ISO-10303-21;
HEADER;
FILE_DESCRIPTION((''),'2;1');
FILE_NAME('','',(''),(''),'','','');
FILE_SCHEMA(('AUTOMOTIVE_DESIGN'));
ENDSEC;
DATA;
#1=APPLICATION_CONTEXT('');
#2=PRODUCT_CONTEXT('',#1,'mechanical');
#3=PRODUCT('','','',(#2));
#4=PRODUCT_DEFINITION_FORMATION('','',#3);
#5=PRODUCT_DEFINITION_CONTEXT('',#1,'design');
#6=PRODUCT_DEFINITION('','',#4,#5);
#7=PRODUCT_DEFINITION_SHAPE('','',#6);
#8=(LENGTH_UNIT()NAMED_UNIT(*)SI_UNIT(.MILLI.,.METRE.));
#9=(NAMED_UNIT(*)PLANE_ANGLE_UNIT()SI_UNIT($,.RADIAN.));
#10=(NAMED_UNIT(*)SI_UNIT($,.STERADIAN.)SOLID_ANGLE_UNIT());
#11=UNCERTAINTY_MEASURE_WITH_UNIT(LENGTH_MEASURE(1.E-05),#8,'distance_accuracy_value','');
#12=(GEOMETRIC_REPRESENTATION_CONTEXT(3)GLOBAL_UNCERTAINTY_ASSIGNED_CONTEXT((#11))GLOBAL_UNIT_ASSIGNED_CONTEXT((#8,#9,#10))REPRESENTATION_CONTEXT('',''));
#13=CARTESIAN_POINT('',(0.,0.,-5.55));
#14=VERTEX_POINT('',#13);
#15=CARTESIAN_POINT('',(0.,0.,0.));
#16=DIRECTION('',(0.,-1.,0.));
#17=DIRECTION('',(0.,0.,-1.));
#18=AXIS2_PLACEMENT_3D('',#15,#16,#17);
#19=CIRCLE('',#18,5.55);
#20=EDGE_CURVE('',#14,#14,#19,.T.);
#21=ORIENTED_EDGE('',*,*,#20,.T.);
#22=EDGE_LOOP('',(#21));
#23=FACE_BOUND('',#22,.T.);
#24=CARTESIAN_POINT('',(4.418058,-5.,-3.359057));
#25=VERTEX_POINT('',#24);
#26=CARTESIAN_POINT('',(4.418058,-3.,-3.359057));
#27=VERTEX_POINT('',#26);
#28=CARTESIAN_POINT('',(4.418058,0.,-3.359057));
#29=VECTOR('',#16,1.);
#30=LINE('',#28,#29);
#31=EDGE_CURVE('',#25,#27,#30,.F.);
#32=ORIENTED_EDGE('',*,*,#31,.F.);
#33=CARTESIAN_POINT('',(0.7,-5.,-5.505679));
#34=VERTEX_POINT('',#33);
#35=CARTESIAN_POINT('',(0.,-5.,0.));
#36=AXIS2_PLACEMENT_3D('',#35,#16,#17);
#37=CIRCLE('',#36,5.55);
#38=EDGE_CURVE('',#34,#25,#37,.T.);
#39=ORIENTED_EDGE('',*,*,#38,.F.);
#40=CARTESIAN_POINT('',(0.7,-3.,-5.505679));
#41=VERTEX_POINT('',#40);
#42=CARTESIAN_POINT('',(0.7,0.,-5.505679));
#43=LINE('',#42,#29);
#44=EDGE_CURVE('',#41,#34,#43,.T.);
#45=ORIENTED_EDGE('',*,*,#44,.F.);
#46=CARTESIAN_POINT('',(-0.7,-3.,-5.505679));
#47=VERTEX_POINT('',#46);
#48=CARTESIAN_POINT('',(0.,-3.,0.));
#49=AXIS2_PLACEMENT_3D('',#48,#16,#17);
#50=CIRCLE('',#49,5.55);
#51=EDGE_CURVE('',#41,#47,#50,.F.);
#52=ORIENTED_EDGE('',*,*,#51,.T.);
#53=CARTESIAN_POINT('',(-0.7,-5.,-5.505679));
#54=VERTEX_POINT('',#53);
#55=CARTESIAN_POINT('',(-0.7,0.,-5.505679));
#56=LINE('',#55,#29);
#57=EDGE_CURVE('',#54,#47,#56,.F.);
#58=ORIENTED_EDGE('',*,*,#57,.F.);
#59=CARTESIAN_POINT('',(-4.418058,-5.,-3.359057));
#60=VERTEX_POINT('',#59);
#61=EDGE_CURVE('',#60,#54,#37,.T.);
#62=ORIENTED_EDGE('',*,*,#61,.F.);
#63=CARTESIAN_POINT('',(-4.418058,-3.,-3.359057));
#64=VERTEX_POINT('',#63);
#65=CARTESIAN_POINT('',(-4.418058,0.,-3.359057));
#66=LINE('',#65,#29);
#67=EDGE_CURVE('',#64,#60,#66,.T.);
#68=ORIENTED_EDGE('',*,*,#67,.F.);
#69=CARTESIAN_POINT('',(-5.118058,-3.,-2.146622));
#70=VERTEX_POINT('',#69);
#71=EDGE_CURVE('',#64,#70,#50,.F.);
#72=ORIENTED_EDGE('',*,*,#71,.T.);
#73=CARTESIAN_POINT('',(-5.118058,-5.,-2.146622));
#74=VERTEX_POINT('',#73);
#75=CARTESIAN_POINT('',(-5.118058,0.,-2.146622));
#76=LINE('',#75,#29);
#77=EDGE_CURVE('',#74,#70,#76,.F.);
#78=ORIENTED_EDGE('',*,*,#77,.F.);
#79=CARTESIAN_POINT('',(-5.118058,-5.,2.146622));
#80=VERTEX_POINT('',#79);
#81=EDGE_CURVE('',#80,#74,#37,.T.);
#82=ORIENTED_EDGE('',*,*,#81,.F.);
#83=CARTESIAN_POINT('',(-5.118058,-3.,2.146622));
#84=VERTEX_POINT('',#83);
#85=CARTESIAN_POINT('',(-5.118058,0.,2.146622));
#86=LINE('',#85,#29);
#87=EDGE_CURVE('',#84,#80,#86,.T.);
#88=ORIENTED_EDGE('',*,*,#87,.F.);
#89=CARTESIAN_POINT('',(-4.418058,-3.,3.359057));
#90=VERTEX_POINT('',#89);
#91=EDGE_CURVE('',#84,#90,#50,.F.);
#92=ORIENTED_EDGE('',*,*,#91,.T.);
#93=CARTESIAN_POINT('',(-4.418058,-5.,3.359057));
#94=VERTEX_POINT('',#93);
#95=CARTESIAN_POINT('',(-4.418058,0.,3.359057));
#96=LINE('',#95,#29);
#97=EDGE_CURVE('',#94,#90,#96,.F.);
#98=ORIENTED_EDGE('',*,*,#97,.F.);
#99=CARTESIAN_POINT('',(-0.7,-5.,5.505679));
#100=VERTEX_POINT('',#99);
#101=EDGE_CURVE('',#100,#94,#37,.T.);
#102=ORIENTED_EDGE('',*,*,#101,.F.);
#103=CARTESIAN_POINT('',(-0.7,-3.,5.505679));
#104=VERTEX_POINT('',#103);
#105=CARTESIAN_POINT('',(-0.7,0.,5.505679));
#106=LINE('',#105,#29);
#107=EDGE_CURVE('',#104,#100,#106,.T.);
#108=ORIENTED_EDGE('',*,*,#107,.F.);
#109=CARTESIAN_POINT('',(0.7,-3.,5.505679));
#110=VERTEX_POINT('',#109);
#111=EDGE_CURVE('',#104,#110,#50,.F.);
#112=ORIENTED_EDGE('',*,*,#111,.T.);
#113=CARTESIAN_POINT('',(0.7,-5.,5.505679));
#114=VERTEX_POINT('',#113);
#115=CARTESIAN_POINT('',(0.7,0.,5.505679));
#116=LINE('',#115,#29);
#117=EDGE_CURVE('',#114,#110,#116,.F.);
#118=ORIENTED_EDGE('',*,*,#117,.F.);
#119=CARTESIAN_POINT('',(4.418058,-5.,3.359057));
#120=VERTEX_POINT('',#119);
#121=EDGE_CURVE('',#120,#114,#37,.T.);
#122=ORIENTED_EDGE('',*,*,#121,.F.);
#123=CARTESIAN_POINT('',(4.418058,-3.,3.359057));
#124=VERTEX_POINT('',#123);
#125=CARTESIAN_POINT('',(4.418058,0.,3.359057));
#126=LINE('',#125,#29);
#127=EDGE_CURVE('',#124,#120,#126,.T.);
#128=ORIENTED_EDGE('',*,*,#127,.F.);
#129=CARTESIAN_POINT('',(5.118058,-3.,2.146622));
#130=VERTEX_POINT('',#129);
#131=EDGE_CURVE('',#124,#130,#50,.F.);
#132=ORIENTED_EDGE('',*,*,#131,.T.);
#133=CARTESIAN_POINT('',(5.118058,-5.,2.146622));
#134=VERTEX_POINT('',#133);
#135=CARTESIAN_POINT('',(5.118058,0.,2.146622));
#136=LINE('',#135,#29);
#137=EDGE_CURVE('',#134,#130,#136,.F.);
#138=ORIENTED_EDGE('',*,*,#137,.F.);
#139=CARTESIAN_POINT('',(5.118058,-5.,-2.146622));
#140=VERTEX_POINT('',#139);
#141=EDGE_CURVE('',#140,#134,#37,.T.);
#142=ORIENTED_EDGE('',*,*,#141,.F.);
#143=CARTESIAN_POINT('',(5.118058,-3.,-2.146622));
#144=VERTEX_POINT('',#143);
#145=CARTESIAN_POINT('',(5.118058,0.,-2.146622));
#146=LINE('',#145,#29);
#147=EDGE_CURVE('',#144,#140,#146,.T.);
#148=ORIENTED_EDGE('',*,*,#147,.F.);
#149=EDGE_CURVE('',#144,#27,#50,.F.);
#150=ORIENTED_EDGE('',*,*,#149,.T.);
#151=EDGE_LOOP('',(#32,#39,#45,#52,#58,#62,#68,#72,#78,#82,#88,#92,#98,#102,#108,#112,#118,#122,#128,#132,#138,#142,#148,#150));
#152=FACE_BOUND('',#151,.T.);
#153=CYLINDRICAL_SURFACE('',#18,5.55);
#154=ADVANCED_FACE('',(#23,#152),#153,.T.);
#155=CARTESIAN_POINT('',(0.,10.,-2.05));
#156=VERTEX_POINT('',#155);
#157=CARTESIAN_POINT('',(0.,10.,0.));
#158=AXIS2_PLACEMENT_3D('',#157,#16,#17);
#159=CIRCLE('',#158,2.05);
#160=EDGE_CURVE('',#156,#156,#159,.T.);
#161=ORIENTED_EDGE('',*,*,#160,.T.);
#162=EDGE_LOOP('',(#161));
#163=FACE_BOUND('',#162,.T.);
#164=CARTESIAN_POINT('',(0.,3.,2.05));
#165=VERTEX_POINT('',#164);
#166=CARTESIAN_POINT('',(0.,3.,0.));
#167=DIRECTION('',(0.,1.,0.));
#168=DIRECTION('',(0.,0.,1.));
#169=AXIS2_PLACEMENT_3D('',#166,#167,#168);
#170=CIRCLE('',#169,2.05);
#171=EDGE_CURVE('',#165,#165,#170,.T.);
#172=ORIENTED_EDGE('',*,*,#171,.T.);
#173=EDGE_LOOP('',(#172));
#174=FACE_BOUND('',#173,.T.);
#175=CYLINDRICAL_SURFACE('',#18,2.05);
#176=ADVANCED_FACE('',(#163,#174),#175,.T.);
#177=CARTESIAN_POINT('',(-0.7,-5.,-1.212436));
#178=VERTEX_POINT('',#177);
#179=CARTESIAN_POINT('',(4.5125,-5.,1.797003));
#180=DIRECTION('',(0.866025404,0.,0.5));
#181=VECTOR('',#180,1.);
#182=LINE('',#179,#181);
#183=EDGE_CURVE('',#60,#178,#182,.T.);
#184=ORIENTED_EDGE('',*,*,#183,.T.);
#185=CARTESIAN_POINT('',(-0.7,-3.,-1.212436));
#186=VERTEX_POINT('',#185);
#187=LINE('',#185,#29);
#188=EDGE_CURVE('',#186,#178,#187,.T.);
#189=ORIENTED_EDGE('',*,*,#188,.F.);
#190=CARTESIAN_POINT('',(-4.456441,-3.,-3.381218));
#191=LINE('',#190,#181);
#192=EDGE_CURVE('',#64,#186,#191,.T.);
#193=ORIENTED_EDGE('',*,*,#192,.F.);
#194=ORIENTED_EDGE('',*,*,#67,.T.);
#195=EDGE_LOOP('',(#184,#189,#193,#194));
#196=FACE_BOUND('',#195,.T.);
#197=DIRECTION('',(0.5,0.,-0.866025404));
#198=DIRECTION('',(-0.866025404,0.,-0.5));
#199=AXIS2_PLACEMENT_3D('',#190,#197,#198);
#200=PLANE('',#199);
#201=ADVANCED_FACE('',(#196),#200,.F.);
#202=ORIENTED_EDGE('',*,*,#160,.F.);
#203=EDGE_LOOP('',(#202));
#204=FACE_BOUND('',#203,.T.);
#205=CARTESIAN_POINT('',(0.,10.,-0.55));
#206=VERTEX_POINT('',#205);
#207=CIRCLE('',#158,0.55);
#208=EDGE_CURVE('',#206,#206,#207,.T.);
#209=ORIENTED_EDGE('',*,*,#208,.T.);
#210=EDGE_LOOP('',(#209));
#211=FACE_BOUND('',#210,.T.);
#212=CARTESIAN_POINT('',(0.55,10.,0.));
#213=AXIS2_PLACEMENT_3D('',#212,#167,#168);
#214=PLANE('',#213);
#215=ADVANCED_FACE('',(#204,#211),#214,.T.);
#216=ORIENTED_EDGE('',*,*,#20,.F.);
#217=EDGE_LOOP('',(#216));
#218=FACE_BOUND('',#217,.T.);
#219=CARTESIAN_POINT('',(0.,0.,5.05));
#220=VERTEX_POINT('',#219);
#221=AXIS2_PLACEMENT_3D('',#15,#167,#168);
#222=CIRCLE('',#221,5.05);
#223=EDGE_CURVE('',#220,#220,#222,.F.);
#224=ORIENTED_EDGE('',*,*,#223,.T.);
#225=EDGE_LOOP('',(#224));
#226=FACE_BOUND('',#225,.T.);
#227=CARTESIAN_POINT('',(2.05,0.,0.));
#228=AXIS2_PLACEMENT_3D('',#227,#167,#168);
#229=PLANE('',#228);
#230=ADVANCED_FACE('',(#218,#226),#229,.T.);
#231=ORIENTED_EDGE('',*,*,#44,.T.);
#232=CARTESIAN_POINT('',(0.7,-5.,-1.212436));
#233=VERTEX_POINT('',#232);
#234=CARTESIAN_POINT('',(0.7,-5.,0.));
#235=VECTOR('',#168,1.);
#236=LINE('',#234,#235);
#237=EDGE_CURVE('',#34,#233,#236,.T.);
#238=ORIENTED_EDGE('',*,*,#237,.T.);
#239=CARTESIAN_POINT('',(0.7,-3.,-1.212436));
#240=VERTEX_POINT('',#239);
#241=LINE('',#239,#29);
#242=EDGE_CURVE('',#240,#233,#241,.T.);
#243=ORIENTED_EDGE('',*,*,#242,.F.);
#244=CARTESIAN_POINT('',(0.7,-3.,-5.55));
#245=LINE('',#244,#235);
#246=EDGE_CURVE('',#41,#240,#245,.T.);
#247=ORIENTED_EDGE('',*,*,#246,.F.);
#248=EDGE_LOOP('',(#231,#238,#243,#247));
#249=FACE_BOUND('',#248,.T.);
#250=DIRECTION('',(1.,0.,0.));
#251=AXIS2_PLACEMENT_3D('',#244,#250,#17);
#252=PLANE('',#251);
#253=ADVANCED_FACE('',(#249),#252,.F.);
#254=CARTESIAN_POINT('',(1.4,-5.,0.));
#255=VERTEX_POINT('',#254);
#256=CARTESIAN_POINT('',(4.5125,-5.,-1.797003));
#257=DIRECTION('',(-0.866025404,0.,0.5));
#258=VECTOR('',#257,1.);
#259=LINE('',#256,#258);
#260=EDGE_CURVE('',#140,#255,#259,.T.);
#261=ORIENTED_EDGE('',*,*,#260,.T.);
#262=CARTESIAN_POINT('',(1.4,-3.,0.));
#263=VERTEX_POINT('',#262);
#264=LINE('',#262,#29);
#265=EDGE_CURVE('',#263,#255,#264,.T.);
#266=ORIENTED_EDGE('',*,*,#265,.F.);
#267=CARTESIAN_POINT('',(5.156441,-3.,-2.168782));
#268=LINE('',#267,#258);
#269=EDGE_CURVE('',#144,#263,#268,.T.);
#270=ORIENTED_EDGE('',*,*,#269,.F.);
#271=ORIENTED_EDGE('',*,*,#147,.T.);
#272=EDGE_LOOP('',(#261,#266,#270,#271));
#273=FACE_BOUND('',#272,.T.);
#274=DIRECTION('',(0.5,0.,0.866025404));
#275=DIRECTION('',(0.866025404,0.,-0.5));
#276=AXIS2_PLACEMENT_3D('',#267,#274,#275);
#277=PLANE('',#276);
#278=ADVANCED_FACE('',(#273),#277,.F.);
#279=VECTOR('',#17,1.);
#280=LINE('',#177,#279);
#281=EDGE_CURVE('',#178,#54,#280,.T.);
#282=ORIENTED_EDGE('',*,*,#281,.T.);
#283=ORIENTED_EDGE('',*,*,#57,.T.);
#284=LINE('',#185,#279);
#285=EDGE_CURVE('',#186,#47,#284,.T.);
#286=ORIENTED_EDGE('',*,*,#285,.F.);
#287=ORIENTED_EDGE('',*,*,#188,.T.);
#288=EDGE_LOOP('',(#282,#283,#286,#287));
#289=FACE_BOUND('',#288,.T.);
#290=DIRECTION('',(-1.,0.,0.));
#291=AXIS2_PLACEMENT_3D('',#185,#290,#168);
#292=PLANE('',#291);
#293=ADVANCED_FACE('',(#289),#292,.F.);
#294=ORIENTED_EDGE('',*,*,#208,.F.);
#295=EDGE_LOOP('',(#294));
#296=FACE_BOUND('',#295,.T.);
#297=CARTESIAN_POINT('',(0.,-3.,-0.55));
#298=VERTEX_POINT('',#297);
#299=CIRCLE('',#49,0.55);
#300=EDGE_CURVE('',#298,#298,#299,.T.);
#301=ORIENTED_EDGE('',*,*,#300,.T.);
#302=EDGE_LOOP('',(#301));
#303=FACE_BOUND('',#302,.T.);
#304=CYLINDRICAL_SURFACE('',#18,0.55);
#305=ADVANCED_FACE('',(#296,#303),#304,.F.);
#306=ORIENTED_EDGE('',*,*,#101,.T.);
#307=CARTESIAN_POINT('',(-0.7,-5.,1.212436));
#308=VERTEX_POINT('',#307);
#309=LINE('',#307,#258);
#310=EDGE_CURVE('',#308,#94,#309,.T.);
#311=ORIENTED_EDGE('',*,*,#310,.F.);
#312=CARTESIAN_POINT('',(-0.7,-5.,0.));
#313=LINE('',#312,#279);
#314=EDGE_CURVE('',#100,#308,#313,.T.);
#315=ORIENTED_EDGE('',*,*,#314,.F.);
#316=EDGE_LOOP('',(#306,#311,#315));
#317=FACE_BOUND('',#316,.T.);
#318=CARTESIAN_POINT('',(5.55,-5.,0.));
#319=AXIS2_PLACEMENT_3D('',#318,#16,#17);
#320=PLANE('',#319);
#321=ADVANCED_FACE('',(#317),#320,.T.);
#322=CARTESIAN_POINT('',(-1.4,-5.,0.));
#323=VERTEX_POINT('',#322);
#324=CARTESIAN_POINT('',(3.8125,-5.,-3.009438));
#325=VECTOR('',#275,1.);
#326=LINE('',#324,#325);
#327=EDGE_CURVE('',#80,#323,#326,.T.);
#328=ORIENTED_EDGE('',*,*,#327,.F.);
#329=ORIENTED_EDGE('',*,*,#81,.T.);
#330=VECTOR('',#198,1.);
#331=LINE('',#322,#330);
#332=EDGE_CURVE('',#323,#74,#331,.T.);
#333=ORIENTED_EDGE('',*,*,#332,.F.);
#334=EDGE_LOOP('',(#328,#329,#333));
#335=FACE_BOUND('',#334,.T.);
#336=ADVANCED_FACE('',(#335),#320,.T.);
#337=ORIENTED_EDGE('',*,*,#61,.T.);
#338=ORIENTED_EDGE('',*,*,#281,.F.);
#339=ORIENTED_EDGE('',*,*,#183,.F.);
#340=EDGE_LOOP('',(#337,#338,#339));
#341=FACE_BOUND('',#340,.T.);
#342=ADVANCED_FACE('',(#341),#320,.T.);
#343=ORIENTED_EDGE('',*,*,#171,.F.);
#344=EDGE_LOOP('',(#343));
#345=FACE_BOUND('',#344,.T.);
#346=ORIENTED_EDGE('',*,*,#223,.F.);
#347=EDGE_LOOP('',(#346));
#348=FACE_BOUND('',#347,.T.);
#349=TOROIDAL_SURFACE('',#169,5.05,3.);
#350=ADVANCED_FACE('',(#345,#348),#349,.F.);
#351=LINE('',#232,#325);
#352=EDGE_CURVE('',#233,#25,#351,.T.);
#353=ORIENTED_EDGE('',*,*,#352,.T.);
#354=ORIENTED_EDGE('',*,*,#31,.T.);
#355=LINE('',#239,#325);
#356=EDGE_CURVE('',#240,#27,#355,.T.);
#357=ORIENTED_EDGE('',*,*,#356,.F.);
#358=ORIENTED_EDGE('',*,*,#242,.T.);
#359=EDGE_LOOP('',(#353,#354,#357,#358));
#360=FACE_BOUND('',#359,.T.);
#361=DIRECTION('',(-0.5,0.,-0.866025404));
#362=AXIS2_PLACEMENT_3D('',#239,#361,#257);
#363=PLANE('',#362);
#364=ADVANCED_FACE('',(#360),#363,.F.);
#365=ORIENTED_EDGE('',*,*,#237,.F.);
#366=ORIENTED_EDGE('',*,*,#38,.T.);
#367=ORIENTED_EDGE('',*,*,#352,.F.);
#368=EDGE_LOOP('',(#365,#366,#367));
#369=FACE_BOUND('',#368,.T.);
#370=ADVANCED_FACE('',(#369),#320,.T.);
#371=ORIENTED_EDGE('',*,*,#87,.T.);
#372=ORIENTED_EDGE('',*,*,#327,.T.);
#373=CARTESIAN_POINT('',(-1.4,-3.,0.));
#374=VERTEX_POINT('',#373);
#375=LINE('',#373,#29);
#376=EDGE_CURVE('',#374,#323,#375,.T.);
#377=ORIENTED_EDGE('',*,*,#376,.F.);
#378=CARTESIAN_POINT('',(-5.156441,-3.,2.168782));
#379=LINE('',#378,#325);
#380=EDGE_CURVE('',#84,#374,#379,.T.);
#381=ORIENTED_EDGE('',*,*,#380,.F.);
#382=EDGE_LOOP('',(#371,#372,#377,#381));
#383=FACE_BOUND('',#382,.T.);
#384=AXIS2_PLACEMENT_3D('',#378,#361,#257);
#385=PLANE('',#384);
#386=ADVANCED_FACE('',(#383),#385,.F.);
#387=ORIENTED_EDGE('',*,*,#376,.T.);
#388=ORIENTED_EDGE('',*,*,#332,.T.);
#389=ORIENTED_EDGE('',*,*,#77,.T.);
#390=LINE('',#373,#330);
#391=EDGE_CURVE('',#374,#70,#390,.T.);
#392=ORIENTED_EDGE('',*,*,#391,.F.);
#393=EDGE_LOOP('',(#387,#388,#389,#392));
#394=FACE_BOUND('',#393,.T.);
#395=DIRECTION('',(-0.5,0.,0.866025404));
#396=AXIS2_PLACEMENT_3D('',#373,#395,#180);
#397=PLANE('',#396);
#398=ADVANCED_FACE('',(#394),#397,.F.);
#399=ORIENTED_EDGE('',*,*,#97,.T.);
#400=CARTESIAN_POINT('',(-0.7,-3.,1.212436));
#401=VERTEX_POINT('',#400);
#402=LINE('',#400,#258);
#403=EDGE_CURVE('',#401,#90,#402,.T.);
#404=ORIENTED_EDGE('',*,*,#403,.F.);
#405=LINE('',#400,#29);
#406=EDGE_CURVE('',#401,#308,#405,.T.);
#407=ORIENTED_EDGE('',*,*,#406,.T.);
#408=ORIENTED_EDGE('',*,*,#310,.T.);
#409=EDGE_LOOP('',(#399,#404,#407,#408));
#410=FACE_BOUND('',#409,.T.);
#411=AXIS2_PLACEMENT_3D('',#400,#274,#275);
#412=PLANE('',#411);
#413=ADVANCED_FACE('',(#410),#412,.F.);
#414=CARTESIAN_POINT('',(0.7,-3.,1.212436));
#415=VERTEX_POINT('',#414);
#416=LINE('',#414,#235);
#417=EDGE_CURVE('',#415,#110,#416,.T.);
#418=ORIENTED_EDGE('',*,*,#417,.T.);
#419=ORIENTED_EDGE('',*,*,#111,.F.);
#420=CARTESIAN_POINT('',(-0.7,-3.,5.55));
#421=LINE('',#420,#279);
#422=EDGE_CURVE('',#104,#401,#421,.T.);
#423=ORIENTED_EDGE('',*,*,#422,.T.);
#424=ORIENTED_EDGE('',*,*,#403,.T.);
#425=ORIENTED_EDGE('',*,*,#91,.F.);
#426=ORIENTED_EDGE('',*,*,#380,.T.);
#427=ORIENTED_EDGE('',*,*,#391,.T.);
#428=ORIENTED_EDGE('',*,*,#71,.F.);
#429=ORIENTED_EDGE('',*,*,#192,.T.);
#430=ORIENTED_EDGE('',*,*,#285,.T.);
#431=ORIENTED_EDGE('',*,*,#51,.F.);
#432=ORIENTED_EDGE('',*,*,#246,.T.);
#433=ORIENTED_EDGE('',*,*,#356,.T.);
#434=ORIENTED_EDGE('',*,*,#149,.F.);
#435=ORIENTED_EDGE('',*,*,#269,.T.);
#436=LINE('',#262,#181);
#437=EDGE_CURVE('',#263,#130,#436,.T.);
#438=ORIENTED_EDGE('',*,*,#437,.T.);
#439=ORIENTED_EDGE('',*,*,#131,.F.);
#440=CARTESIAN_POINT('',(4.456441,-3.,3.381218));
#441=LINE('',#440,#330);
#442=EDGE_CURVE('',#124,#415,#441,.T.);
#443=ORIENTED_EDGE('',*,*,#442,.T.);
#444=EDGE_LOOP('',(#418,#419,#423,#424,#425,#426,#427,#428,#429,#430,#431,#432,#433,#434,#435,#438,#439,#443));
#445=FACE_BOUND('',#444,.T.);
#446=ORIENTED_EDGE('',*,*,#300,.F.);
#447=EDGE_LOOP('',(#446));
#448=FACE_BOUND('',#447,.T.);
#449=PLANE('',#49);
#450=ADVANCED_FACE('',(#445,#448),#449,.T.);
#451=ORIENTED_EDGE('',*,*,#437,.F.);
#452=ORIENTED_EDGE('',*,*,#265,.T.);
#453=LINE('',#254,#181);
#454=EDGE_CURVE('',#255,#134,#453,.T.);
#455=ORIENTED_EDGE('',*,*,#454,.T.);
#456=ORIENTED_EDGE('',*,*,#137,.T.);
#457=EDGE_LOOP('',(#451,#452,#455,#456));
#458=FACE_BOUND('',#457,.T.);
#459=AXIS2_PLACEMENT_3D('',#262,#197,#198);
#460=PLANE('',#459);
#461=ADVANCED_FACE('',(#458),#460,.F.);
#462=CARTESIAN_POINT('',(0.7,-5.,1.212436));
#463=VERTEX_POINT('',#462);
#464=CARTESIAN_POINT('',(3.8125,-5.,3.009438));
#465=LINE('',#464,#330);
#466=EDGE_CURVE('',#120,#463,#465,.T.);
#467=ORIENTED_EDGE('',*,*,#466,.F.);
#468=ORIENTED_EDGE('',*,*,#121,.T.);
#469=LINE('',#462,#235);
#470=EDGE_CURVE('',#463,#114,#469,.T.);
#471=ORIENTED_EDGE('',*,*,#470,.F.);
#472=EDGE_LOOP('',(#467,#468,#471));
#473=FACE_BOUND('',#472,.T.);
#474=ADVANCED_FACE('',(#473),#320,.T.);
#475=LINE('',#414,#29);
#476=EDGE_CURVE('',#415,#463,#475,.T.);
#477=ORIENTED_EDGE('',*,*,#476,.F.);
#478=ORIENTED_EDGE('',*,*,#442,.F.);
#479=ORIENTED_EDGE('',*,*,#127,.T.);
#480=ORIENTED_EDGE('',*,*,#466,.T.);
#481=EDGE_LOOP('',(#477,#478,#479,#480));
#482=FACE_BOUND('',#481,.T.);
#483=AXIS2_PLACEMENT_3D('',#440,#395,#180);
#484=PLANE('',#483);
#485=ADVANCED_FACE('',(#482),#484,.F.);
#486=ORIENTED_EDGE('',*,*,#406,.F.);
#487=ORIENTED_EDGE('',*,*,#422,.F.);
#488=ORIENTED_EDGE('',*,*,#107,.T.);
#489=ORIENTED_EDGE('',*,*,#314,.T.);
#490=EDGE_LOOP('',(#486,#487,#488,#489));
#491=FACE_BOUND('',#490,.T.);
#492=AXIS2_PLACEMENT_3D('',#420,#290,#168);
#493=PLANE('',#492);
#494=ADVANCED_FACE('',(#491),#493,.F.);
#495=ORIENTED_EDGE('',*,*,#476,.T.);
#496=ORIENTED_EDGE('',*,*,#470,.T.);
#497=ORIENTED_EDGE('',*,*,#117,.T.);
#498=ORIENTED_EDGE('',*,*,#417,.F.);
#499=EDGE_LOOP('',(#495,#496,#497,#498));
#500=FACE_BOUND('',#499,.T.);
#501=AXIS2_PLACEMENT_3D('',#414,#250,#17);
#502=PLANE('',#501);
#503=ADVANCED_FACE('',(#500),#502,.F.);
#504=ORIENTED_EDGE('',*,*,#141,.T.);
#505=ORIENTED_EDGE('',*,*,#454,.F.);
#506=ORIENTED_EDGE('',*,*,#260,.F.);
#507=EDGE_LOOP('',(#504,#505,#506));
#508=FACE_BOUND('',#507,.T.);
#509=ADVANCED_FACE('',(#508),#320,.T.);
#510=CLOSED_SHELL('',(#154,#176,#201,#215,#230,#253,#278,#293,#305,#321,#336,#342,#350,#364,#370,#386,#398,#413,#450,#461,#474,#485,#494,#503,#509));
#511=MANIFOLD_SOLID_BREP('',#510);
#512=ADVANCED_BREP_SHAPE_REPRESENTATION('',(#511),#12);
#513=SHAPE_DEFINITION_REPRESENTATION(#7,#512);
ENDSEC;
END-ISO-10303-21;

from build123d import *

# Parameters (mm, degrees)
CORTE_EXTRUS_O2_DEPTH = 2
FILETE1_R             = 3


with BuildPart() as part:
    # Esboço1 → Revolução1 (revolve)
    with BuildSketch(Plane.XY):
        Polygon((0.55, 10), (2.05, 10), (2.05, 0), (5.55, 0), (5.55, -5), (0.55, -5), align=None)
    revolve(axis=Axis((0, 0, 0), (0, 1, 0)))

    # Esboço2 → Corte-extrusão2 (cut)
    with BuildSketch(Plane.XZ.offset(5)):
        Polygon((-0.7, 5.55), (-0.7, 1.212435565), (-4.456440991, 3.381217783), (-5.156440991, 2.168782217), (-1.4, 0), (-5.156440991, -2.168782217), (-4.456440991, -3.381217783), (-0.7, -1.212435565), (-0.7, -5.55), (0.7, -5.55), (0.7, -1.212435565), (4.456440991, -3.381217783), (5.156440991, -2.168782217), (1.4, 0), (5.156440991, 2.168782217), (4.456440991, 3.381217783), (0.7, 1.212435565), (0.7, 5.55), align=None)
    extrude(amount=-CORTE_EXTRUS_O2_DEPTH, mode=Mode.SUBTRACT)

    # Filete1
    filete1_edges = [part.edges().sort_by_distance(p)[0] for p in [
        (-2.05, 0, 0),
    ]]
    fillet(filete1_edges, radius=FILETE1_R)


solid = part.part
